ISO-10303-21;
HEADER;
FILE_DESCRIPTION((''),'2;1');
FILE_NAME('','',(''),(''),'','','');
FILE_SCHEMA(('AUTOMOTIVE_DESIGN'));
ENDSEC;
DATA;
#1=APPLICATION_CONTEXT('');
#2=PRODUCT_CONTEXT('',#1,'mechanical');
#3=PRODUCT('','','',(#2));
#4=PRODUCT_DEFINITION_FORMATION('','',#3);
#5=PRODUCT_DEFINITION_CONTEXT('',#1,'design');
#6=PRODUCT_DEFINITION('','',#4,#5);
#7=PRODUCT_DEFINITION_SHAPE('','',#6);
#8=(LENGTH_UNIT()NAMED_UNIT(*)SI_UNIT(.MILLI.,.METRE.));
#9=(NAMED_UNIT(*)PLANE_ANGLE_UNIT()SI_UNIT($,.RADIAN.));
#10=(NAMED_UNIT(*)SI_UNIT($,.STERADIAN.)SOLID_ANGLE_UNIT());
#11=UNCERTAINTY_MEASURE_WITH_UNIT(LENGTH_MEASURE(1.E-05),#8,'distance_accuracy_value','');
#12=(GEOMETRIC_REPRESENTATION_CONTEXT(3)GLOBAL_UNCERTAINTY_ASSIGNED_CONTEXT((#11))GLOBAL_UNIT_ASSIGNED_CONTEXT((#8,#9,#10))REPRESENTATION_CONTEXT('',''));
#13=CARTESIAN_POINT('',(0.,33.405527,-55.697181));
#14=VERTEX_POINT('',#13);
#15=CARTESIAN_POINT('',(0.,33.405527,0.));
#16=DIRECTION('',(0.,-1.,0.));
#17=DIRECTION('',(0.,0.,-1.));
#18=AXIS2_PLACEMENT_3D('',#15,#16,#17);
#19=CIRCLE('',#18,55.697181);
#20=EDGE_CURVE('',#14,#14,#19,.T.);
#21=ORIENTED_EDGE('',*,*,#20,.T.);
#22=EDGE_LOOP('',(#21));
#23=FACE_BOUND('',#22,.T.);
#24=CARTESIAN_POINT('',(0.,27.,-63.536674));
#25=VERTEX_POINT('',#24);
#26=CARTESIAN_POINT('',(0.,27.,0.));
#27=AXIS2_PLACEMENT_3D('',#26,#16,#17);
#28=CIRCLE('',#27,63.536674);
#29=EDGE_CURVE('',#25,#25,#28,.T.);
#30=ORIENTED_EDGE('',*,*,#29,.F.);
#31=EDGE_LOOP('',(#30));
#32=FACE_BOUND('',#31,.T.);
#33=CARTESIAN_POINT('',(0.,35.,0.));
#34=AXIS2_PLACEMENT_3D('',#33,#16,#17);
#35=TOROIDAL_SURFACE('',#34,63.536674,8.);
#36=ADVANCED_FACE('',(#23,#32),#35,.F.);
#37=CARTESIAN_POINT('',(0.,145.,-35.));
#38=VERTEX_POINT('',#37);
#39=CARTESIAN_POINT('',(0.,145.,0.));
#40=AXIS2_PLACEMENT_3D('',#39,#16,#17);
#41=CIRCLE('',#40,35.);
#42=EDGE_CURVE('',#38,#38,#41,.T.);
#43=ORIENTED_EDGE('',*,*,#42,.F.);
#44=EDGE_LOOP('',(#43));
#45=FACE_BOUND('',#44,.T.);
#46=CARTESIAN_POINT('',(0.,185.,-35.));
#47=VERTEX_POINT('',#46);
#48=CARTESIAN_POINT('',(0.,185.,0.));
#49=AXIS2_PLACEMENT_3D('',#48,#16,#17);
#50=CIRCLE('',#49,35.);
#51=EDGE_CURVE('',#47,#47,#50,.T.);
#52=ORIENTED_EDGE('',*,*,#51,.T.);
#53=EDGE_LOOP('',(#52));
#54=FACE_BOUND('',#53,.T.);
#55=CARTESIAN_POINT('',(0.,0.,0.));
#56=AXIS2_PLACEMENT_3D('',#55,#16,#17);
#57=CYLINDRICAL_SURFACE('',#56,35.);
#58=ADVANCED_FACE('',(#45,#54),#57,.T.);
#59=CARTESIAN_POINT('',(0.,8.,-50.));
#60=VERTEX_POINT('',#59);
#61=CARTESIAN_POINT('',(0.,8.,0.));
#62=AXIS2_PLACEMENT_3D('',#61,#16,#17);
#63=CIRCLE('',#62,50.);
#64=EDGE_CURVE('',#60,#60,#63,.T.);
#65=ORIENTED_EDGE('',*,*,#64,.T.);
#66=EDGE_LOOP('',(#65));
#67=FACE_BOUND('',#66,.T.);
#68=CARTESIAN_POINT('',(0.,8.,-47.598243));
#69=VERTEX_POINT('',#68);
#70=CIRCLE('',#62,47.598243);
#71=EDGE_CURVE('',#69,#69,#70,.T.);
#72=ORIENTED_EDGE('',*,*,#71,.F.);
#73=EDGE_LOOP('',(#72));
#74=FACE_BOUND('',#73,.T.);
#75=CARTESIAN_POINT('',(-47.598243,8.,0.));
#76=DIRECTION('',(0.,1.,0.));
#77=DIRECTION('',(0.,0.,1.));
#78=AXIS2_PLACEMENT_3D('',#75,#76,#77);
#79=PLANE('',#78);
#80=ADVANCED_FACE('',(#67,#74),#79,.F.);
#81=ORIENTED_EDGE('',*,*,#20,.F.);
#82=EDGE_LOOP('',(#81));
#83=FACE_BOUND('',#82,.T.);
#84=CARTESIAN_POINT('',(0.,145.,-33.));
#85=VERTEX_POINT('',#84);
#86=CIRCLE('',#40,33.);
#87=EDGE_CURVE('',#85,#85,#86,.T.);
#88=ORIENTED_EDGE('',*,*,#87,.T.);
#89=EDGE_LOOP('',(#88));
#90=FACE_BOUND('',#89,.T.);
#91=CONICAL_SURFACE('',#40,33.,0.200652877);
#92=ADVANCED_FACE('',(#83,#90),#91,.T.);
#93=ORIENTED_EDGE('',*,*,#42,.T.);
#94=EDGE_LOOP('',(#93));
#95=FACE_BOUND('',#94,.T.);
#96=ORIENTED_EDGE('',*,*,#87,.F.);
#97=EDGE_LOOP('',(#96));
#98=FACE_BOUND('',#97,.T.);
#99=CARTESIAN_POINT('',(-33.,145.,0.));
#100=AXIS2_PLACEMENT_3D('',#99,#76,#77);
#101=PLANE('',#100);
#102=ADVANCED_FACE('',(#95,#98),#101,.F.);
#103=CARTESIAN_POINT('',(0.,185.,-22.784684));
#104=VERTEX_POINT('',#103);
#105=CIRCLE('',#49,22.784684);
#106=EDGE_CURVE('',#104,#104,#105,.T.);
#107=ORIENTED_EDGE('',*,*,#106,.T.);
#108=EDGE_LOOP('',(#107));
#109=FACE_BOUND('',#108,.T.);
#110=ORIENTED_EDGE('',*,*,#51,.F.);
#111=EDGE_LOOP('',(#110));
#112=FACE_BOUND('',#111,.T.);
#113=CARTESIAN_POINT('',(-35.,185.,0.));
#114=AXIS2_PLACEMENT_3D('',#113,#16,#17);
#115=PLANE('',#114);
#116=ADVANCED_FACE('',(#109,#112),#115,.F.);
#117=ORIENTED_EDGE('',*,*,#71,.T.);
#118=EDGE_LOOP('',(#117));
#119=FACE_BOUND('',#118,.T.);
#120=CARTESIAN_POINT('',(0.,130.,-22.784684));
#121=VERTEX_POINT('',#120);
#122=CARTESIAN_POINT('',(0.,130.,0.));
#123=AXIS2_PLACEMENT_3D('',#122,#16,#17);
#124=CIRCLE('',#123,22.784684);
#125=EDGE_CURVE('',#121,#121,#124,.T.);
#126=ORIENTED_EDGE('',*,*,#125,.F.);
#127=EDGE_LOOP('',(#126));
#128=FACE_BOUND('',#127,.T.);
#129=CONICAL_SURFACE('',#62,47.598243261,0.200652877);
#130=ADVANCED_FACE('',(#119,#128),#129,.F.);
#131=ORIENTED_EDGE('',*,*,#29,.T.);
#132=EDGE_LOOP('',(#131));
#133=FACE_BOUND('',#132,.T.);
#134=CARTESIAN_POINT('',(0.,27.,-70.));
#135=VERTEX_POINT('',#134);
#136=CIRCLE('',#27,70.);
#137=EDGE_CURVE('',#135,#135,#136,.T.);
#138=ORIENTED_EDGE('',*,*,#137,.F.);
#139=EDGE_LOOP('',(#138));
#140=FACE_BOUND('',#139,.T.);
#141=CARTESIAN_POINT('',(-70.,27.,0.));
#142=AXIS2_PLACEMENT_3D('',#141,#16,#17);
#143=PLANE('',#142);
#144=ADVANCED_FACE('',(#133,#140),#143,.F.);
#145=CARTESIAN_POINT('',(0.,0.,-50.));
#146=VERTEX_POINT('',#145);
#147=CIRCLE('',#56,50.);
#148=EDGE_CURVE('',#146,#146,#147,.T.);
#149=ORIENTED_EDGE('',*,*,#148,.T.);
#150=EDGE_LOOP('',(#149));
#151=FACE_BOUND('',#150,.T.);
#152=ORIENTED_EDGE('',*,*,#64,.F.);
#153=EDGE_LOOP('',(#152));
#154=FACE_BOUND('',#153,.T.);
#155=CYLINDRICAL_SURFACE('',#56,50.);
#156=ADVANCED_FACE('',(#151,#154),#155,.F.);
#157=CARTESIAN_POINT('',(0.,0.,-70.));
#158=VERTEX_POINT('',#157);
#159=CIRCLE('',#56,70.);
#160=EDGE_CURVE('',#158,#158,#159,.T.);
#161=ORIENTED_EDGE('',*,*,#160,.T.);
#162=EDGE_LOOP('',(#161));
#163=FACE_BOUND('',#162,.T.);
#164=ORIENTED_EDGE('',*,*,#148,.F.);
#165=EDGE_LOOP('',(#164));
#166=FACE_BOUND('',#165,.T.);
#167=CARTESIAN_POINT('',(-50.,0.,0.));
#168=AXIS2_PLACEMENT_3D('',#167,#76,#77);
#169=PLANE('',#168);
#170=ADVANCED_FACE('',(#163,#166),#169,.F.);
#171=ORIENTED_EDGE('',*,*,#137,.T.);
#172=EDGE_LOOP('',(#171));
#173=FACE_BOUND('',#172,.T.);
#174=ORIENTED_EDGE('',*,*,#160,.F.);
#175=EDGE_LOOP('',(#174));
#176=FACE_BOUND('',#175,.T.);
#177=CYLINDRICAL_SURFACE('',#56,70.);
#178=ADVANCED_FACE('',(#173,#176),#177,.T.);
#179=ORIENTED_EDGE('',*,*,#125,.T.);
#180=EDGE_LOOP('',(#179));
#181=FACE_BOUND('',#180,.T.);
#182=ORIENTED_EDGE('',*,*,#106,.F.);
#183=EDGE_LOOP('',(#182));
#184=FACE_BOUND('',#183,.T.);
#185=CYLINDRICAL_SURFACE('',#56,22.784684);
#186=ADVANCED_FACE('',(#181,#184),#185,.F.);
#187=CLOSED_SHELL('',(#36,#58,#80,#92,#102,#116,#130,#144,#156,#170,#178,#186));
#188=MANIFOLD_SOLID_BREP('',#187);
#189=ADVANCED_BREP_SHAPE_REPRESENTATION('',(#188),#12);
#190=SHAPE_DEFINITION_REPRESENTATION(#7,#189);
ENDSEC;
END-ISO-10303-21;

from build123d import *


with BuildPart() as part:
    # Sketch1 → Revolve1 (revolve)
    with BuildSketch(Plane.XY, mode=Mode.PRIVATE) as revolve1_sk:
        with BuildLine():
            Line((-70, 0), (-70, 27))
            Line((-70, 27), (-63.536674291, 27))
            ThreePointArc((-63.536674291, 27), (-58.474845852, 28.805010666), (-55.697180993, 33.405526787))
            Line((-55.697180993, 33.405526787), (-33, 145))
            Line((-33, 145), (-35, 145))
            Line((-35, 145), (-35, 185))
            Line((-35, 185), (-22.784683939, 185))
            Line((-22.784683939, 185), (-22.784683939, 130))
            Line((-22.784683939, 130), (-47.598243261, 8))
            Line((-47.598243261, 8), (-50, 8))
            Line((-50, 8), (-50, 0))
            Line((-50, 0), (-70, 0))
        make_face()
    revolve(revolve1_sk.sketch.rotate(Axis((0, 0, 0), (0, 1, 0)), 270), axis=Axis((0, 0, 0), (0, 1, 0)))


solid = part.part
